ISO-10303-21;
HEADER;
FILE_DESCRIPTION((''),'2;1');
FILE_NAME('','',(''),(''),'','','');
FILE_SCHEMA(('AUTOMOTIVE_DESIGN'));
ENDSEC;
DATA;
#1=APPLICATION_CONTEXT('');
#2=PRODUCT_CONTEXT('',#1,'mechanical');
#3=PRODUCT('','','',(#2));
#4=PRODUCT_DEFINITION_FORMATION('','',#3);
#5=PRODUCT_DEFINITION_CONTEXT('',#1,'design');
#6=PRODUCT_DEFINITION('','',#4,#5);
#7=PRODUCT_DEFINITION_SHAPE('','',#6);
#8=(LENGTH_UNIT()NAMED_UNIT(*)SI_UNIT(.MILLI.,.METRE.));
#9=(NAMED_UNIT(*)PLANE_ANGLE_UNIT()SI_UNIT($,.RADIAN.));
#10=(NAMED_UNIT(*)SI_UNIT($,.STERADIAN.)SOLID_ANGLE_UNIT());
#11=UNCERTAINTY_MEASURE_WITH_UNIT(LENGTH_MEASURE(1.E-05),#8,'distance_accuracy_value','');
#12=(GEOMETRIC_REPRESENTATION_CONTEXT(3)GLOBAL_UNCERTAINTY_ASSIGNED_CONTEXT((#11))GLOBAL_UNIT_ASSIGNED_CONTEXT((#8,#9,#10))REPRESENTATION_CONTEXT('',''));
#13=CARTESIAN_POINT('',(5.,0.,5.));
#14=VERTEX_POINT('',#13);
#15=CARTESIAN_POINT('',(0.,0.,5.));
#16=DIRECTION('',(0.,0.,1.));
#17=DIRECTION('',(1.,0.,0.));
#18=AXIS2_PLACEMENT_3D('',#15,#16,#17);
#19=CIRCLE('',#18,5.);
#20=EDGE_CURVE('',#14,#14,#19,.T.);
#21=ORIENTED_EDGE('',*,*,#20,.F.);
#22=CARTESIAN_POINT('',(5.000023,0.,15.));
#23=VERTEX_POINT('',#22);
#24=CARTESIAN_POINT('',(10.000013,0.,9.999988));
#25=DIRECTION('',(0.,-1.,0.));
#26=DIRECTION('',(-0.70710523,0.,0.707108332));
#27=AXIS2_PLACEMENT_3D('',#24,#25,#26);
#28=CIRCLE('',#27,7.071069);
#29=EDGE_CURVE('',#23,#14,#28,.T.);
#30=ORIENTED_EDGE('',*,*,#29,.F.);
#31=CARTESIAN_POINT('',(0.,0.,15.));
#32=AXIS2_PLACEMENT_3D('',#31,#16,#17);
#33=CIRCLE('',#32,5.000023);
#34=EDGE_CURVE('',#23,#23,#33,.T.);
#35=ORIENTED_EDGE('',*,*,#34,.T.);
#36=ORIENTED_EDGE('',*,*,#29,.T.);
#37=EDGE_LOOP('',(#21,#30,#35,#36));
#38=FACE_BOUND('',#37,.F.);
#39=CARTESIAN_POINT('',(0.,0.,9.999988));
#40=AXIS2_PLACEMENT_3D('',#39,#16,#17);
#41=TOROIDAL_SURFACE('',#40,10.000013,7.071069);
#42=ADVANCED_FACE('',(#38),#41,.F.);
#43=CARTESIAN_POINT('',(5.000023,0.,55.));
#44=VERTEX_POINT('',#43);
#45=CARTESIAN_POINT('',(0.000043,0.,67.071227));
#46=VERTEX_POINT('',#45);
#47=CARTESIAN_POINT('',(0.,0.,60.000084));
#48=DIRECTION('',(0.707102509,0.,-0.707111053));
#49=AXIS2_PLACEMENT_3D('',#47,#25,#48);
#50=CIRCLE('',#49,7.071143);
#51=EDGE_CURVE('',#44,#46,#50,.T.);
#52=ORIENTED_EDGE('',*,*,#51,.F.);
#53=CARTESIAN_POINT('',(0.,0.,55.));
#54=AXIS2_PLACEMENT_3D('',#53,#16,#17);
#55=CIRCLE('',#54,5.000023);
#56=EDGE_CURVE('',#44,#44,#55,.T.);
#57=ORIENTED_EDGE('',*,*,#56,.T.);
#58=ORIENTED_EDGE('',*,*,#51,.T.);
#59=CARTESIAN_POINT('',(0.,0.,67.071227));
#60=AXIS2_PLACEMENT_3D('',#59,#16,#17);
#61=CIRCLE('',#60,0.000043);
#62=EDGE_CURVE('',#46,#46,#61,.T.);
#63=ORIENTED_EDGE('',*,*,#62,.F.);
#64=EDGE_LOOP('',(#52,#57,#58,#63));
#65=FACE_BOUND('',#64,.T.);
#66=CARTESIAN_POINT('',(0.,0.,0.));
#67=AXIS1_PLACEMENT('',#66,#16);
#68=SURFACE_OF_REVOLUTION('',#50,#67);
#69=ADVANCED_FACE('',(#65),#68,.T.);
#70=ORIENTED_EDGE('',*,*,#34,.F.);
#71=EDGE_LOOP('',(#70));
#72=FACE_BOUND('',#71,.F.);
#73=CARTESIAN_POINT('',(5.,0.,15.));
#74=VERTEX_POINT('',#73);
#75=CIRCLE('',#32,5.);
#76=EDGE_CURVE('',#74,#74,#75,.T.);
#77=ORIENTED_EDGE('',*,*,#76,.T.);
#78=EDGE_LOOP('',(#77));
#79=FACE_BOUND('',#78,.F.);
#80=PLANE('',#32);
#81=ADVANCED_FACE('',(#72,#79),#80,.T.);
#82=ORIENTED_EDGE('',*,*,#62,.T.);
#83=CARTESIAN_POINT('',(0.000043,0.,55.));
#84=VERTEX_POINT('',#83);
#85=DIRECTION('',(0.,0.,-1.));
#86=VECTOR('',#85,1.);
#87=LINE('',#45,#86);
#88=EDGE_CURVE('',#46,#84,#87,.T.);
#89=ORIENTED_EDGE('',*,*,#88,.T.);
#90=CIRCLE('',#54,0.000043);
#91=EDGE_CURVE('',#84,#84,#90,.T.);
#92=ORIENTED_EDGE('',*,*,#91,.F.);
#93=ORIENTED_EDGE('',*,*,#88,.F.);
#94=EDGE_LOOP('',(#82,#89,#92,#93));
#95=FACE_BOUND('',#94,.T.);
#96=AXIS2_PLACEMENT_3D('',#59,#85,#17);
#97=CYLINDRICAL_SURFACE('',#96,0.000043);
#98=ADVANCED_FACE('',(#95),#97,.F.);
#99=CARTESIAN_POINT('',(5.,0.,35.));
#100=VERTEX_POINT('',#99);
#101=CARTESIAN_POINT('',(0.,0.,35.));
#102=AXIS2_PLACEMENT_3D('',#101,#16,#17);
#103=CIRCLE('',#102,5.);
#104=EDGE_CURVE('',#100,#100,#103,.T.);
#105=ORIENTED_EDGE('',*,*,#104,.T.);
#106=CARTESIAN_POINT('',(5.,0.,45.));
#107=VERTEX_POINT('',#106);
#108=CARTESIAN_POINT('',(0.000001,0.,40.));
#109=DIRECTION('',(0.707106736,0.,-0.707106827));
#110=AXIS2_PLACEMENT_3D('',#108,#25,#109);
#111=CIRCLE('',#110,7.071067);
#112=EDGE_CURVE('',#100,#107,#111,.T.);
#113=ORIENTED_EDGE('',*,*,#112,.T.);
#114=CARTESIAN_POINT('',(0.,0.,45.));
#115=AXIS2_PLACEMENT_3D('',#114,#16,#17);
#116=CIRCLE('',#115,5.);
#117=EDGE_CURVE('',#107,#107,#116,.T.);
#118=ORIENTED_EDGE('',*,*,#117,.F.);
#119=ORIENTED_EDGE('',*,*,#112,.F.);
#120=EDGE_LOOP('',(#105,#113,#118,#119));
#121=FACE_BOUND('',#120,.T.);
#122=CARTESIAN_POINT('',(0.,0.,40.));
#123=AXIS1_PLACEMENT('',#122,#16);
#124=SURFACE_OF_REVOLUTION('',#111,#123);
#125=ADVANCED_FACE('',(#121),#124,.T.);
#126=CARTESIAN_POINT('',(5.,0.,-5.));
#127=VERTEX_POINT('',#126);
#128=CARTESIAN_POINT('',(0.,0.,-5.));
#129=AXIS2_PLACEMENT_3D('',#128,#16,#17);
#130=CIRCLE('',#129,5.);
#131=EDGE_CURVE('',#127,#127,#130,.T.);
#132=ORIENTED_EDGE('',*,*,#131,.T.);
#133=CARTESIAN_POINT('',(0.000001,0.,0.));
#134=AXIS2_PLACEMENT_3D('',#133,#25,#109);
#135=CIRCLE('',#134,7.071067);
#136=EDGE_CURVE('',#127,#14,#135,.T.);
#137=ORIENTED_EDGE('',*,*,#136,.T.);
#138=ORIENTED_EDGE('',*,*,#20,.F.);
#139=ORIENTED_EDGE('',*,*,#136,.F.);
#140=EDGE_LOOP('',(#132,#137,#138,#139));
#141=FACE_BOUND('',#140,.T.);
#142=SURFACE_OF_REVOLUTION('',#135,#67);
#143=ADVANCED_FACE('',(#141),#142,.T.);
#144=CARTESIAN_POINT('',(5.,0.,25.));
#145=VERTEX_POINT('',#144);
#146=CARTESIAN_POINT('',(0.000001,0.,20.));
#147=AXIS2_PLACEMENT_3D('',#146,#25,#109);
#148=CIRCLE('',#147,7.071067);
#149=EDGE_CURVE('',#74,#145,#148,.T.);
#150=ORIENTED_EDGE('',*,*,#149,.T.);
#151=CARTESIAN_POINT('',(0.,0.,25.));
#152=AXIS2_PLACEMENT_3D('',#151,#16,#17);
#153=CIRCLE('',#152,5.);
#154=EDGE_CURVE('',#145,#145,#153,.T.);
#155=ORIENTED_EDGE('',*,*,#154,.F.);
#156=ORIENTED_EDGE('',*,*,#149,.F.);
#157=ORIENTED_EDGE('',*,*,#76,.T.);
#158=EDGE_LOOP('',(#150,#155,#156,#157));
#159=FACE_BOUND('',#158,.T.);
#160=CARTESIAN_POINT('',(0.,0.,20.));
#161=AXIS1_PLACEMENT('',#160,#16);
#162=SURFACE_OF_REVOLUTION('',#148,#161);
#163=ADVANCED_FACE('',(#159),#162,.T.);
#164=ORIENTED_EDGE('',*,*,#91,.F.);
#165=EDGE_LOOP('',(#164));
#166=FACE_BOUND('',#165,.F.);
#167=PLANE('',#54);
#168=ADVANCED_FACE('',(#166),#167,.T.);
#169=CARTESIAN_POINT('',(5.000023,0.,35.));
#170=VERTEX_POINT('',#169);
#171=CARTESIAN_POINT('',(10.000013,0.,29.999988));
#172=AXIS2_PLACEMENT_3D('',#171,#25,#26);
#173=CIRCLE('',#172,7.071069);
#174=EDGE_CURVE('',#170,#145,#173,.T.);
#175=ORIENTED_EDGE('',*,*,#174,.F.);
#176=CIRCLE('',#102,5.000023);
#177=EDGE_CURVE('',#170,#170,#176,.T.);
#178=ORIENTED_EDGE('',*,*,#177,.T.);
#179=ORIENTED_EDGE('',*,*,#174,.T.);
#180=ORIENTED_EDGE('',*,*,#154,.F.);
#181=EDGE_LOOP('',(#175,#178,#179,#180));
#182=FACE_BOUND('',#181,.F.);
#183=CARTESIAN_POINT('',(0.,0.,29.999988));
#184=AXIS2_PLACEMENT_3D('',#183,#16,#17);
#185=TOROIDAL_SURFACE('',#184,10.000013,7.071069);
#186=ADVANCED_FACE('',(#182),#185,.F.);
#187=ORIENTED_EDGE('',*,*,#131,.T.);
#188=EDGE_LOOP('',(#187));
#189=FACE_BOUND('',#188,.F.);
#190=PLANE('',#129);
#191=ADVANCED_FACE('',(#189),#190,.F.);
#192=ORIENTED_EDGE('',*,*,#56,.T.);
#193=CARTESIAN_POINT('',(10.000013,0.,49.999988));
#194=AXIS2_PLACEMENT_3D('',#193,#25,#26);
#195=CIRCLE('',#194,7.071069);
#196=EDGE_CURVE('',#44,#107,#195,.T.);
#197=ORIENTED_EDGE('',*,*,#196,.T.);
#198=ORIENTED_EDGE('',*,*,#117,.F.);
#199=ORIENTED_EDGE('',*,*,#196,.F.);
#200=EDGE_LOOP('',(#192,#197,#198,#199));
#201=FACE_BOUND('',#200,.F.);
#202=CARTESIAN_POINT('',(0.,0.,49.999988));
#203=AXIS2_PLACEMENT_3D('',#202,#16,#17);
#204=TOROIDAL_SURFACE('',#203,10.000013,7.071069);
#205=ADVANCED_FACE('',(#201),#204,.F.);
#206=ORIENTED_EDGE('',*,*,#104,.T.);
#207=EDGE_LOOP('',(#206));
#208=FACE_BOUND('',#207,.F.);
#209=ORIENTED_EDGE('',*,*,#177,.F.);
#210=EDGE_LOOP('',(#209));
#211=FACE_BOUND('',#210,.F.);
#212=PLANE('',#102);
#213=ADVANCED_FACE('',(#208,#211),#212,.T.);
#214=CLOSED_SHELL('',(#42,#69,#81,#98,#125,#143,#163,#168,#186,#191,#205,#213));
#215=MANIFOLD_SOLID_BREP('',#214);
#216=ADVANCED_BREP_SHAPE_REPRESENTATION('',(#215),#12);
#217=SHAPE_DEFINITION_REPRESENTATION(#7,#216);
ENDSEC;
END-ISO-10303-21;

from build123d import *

# Parameters (mm, degrees)
LINEARPATTERN_COUNT = 3
LINEARPATTERN_PITCH = 20


with BuildPart() as part:
    # Sketch → Revolution (revolve)
    with BuildSketch(Plane.XZ):
        with BuildLine():
            ThreePointArc((5, -5), (7.071068, 0), (5, 5))
            ThreePointArc((5.000023, 15), (2.928944, 10.000005), (5, 5))
            Line((0, 15), (5.000023, 15))
            Line((0, -5), (0, 15))
            Line((5, -5), (0, -5))
        make_face()
    revolution = revolve(axis=Axis((0, 0, 0), (0, 0, 1)))

    # LinearPattern: Revolution ×3
    with Locations(*[(0, 0, i * LINEARPATTERN_PITCH) for i in range(1, LINEARPATTERN_COUNT)]):
        add(revolution)

    # Sketch002 → Revolution001 (revolve)
    with BuildSketch(Plane.XZ):
        with BuildLine():
            ThreePointArc((5.000023, 55), (6.532901, 62.706053), (4.3e-05, 67.071227))
            Line((4.3e-05, 67.071227), (4.3e-05, 55))
            Line((4.3e-05, 55), (5.000023, 55))
        make_face()
    revolve(axis=Axis((0, 0, 0), (0, 0, 1)))


solid = part.part
